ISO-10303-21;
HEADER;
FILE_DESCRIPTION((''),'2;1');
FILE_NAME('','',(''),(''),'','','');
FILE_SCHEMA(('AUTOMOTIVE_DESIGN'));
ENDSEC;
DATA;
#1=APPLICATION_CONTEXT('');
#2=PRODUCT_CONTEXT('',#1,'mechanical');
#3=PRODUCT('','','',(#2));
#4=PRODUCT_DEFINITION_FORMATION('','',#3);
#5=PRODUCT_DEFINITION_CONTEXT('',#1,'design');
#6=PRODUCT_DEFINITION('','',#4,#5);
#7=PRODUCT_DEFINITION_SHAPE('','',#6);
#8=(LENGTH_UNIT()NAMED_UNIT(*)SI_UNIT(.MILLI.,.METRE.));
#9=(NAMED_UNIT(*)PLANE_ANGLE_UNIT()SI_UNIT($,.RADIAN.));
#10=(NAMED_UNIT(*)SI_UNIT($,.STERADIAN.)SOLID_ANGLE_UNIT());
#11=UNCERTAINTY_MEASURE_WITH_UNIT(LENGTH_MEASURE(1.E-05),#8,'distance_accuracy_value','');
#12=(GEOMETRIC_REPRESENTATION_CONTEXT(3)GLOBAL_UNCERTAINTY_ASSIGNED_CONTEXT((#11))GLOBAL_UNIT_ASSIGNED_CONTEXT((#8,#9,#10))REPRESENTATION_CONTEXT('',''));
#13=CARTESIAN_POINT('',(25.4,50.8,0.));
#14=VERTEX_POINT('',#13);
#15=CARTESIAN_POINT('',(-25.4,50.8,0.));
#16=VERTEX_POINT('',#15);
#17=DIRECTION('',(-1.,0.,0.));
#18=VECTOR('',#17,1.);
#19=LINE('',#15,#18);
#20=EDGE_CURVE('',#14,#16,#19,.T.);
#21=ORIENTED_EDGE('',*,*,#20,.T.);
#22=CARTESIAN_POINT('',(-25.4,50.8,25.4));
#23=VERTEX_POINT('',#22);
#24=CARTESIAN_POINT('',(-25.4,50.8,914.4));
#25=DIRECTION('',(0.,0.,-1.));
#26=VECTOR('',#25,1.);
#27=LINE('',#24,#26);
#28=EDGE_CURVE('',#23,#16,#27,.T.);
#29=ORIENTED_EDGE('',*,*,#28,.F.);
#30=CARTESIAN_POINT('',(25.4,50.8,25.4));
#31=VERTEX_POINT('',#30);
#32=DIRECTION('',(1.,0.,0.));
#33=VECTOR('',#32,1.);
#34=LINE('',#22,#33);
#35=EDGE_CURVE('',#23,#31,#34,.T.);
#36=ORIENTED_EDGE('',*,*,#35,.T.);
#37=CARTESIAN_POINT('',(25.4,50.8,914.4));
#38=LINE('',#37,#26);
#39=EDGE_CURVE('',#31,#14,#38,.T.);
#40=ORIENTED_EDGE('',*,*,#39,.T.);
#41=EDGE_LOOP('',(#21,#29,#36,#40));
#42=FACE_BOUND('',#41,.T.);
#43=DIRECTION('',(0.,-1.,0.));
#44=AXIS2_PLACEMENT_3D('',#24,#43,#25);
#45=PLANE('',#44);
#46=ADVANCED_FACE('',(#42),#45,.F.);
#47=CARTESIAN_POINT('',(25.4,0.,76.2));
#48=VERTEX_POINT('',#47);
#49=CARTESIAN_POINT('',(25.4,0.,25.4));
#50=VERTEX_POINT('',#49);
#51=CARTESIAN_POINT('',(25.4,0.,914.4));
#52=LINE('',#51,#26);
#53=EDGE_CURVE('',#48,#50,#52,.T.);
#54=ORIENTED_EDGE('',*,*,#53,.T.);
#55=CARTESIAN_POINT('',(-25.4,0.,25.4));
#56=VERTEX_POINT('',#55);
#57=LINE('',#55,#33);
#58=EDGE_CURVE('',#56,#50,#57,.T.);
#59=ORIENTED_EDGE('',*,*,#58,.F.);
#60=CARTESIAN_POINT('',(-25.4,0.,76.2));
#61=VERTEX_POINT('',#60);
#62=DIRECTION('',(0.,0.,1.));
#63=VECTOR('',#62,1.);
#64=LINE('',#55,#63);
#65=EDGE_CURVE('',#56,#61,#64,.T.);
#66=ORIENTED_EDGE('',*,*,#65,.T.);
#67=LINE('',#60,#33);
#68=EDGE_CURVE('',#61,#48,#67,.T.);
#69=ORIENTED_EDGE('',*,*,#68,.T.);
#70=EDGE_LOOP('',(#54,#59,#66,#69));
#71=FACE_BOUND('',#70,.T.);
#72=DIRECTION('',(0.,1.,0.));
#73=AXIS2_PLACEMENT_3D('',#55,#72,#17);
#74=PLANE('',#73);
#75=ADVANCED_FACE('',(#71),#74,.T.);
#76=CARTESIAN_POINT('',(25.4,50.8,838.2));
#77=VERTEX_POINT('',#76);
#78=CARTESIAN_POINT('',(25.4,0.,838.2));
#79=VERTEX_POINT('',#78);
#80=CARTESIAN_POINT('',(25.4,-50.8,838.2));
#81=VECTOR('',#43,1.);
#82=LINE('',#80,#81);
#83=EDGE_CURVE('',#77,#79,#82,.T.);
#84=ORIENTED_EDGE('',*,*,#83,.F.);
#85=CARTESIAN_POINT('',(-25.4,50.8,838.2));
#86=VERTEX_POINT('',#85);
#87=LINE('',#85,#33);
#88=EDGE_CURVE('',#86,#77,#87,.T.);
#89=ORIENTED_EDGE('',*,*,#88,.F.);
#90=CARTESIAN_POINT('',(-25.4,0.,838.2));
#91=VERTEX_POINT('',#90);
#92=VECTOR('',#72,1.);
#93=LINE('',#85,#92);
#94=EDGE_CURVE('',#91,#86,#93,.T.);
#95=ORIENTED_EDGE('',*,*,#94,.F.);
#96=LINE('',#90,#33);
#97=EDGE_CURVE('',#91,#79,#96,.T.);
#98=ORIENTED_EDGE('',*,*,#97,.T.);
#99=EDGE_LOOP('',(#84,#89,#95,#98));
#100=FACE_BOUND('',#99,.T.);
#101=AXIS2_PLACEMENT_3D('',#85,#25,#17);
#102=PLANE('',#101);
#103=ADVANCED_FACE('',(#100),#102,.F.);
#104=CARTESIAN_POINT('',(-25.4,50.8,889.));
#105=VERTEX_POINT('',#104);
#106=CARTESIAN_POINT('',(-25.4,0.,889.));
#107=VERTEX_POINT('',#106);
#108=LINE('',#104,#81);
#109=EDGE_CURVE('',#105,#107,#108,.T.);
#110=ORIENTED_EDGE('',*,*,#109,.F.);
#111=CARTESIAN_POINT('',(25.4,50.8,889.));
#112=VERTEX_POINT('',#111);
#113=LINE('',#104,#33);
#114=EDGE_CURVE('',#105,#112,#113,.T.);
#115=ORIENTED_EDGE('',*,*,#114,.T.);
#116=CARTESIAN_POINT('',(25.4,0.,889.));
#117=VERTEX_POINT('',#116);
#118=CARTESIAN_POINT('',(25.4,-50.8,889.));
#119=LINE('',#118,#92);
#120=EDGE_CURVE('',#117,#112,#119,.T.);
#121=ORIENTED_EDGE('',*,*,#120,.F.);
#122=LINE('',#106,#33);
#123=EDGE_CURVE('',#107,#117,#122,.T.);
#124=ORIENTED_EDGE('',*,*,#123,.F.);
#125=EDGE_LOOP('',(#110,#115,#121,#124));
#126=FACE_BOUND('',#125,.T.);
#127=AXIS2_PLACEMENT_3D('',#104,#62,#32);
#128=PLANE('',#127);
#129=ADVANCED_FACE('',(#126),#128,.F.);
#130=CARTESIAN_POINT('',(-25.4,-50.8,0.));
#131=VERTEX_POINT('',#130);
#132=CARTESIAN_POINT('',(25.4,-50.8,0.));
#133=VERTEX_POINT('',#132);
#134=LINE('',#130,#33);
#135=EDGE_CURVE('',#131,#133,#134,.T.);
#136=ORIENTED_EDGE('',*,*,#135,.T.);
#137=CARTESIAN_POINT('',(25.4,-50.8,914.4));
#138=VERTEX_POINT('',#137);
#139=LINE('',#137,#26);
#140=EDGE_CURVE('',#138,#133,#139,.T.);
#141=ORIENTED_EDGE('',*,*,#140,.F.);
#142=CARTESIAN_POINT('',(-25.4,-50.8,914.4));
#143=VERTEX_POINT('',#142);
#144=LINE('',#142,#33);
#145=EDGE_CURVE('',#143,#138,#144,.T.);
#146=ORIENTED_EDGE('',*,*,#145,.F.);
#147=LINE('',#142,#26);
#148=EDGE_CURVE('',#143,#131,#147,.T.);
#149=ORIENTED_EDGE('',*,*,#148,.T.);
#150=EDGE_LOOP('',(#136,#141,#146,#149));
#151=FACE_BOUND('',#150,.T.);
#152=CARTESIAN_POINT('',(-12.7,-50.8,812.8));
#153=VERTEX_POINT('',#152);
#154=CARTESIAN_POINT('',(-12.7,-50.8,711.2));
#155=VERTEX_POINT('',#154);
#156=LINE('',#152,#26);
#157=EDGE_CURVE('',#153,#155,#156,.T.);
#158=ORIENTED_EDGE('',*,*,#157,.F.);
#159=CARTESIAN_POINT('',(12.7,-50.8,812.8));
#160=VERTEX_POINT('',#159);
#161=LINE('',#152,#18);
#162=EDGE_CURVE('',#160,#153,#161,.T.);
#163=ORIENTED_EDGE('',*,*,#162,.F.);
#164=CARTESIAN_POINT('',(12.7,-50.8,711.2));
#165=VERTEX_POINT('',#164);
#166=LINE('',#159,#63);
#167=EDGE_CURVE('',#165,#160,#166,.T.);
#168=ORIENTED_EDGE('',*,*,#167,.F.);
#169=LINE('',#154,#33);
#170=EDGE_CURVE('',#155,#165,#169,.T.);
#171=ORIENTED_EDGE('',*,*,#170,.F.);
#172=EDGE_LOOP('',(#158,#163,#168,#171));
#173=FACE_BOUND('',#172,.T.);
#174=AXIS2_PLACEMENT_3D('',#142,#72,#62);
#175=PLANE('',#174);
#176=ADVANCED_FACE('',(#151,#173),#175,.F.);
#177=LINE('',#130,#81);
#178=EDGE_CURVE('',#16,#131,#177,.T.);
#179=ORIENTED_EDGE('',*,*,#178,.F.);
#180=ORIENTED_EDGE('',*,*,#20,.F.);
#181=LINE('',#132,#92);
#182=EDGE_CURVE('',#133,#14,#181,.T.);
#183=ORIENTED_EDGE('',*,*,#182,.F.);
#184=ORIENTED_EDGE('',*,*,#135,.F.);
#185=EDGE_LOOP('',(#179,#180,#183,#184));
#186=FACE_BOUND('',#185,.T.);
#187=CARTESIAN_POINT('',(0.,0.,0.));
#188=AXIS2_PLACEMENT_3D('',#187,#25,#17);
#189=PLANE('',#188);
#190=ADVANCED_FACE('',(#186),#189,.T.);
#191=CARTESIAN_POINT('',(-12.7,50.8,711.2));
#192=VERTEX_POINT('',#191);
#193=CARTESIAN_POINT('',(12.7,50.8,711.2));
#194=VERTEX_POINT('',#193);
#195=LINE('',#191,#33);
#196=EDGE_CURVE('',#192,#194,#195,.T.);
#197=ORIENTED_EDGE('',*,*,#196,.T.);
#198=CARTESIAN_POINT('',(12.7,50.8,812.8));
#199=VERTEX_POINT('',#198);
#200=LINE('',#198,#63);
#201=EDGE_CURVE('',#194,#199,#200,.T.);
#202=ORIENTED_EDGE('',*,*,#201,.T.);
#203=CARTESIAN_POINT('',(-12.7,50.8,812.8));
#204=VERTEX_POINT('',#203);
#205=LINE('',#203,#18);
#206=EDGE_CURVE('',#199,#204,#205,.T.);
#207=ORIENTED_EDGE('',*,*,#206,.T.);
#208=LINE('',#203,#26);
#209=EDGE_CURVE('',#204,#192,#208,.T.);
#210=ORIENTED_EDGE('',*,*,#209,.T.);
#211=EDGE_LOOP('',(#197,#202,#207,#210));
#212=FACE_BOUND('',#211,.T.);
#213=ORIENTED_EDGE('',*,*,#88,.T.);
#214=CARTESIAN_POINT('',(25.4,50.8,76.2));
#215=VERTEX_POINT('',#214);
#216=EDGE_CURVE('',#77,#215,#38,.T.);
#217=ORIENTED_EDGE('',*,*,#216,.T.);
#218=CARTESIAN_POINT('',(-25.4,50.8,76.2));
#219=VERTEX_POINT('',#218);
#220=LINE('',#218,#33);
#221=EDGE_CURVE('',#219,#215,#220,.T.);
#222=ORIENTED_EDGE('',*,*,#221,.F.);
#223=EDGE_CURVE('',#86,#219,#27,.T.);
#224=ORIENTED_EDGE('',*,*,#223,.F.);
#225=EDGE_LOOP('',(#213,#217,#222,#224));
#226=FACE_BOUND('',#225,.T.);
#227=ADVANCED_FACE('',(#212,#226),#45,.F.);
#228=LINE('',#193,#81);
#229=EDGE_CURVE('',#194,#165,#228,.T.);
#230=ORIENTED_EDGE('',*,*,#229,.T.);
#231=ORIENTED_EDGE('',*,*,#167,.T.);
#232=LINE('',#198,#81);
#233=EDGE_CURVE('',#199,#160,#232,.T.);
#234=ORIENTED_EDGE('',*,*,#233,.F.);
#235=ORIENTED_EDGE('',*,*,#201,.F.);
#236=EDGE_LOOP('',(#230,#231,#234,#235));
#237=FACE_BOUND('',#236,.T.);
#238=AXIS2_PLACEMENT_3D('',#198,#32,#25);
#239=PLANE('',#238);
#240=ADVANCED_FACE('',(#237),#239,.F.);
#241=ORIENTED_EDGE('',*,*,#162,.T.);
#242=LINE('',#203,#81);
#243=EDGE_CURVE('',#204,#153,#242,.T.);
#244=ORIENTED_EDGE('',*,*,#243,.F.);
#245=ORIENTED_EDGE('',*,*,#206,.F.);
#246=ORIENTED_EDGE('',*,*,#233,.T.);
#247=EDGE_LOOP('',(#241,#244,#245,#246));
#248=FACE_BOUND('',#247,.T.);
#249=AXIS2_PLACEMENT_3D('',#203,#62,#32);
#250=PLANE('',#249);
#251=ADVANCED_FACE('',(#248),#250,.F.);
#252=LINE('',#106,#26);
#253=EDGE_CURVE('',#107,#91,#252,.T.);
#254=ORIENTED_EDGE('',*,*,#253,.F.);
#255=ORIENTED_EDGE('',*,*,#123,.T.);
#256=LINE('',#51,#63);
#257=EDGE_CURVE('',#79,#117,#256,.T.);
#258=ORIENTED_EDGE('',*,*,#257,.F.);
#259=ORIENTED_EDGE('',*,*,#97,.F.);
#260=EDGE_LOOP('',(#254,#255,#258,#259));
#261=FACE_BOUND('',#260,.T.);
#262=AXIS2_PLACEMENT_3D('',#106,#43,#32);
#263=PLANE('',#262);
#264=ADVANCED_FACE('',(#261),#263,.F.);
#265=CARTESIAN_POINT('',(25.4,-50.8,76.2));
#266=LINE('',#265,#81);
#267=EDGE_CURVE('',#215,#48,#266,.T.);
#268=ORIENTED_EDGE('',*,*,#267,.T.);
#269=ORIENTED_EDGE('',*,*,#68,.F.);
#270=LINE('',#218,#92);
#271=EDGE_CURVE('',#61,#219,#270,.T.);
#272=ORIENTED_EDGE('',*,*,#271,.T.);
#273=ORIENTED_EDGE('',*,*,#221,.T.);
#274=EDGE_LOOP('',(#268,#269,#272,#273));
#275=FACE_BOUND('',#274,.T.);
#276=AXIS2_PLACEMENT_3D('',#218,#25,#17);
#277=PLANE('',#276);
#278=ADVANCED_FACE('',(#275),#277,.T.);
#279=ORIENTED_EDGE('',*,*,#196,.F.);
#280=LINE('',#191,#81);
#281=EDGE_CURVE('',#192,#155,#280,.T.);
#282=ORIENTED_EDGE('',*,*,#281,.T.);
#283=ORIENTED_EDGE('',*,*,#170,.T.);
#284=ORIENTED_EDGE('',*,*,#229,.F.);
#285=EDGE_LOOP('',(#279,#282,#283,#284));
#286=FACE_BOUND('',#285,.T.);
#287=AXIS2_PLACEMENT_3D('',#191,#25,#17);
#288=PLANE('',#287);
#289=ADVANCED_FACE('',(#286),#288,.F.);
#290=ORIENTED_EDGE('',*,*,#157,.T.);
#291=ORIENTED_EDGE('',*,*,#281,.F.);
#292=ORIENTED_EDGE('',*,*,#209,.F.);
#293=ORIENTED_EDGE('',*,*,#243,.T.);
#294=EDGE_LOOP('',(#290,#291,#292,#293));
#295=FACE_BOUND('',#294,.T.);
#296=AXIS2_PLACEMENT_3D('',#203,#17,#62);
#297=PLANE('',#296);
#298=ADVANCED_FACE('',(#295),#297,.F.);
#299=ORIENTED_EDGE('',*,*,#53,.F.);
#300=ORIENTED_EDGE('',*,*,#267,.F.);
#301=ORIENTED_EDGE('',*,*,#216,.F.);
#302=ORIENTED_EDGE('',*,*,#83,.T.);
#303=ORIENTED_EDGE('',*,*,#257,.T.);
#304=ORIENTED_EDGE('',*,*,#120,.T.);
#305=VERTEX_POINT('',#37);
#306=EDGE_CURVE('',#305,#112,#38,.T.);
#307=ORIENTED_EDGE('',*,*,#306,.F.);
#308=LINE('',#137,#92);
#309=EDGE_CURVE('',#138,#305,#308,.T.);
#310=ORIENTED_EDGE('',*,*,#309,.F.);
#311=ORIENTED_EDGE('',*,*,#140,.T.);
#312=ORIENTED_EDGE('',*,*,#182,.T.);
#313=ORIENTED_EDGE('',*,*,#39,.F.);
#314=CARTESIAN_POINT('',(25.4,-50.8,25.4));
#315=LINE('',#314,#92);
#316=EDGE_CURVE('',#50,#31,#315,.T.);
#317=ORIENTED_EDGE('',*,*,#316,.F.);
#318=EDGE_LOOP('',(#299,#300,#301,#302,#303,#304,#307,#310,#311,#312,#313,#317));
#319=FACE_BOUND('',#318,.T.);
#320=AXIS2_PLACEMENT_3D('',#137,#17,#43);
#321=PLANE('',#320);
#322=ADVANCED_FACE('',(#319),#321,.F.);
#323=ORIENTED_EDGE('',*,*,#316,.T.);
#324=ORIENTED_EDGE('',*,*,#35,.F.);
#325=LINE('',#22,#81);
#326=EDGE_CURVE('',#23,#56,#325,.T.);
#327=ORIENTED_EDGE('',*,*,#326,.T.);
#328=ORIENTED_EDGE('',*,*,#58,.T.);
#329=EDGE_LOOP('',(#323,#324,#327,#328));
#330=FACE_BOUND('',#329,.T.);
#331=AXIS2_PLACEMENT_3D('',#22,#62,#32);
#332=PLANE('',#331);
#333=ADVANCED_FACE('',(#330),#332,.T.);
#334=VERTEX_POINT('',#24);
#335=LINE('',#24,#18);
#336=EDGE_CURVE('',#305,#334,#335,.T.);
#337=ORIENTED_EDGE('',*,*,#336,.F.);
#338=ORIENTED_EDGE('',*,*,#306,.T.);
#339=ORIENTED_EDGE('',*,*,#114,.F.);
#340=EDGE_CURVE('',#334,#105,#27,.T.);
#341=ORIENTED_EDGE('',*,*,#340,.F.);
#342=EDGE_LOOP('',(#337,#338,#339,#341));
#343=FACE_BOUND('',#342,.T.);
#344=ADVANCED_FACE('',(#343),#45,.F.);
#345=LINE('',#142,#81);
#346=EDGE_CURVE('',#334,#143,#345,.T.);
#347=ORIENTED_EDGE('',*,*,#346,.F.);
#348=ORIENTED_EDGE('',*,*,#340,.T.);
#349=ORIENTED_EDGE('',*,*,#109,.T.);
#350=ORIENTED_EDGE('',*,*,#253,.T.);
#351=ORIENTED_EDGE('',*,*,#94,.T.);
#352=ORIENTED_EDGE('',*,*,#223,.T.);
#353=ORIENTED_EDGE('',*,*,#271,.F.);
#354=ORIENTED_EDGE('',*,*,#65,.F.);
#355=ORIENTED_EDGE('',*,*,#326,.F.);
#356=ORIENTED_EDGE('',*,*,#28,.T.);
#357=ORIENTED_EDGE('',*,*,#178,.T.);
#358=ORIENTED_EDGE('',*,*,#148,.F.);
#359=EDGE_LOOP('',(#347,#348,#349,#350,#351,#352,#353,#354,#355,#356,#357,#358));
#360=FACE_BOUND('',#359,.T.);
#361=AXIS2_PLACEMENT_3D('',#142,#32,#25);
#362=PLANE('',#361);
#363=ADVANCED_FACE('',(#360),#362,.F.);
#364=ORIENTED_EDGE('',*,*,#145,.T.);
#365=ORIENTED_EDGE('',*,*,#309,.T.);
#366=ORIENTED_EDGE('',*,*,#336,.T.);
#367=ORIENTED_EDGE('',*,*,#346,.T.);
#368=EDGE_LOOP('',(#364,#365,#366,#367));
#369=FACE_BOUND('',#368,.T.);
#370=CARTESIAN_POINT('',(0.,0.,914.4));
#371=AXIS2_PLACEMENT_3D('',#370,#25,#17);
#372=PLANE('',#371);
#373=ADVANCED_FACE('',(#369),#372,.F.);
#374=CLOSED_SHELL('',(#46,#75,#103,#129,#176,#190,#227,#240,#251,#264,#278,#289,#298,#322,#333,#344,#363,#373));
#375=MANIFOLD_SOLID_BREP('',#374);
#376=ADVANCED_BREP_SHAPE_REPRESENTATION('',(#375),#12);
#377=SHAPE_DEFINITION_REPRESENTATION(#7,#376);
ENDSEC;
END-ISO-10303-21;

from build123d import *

# Parameters (mm, degrees)
SKETCH1_W           = 50.8
SKETCH1_H           = 101.6
BOSS_EXTRUDE1_DEPTH = 914.4
SKETCH2_W           = 50.8
SKETCH2_H           = 50.8
CUT_EXTRUDE1_DEPTH  = 918.217880332
SKETCH3_W           = 25.4
SKETCH3_H           = 101.6
CUT_EXTRUDE2_DEPTH  = 921.377683345


with BuildPart() as part:
    # Sketch1 → Boss-Extrude1 (new body)
    with BuildSketch(Plane.XY):
        Rectangle(SKETCH1_W, SKETCH1_H)
    extrude(amount=BOSS_EXTRUDE1_DEPTH)

    # Sketch2 → Cut-Extrude1 (cut, symmetric)
    with BuildSketch(Plane(origin=(25.4, 0, 0), x_dir=(0, 0, -1), z_dir=(1, 0, 0))):
        with Locations((304.8, 25.4)):
            Rectangle(SKETCH2_W, SKETCH2_H)
        with Locations((-863.6, 25.4)):
            Rectangle(SKETCH2_W, SKETCH2_H)
        with Locations((1473.2, 25.4)):
            Rectangle(SKETCH2_W, SKETCH2_H)
    cut_extrude1 = extrude(amount=CUT_EXTRUDE1_DEPTH, both=True, mode=Mode.SUBTRACT)

    # Mirror1: Cut-Extrude1 across plane
    add(cut_extrude1.mirror(Plane.XY.offset(457.2)), mode=Mode.SUBTRACT)

    # Sketch3 → Cut-Extrude2 (cut, through all)
    with BuildSketch(Plane(origin=(0, -50.8, 0), x_dir=(-1, 0, 0), z_dir=(0, -1, 0))):
        with Locations((0, -762)):
            Rectangle(SKETCH3_W, SKETCH3_H)
    extrude(amount=-CUT_EXTRUDE2_DEPTH, mode=Mode.SUBTRACT)


solid = part.part
